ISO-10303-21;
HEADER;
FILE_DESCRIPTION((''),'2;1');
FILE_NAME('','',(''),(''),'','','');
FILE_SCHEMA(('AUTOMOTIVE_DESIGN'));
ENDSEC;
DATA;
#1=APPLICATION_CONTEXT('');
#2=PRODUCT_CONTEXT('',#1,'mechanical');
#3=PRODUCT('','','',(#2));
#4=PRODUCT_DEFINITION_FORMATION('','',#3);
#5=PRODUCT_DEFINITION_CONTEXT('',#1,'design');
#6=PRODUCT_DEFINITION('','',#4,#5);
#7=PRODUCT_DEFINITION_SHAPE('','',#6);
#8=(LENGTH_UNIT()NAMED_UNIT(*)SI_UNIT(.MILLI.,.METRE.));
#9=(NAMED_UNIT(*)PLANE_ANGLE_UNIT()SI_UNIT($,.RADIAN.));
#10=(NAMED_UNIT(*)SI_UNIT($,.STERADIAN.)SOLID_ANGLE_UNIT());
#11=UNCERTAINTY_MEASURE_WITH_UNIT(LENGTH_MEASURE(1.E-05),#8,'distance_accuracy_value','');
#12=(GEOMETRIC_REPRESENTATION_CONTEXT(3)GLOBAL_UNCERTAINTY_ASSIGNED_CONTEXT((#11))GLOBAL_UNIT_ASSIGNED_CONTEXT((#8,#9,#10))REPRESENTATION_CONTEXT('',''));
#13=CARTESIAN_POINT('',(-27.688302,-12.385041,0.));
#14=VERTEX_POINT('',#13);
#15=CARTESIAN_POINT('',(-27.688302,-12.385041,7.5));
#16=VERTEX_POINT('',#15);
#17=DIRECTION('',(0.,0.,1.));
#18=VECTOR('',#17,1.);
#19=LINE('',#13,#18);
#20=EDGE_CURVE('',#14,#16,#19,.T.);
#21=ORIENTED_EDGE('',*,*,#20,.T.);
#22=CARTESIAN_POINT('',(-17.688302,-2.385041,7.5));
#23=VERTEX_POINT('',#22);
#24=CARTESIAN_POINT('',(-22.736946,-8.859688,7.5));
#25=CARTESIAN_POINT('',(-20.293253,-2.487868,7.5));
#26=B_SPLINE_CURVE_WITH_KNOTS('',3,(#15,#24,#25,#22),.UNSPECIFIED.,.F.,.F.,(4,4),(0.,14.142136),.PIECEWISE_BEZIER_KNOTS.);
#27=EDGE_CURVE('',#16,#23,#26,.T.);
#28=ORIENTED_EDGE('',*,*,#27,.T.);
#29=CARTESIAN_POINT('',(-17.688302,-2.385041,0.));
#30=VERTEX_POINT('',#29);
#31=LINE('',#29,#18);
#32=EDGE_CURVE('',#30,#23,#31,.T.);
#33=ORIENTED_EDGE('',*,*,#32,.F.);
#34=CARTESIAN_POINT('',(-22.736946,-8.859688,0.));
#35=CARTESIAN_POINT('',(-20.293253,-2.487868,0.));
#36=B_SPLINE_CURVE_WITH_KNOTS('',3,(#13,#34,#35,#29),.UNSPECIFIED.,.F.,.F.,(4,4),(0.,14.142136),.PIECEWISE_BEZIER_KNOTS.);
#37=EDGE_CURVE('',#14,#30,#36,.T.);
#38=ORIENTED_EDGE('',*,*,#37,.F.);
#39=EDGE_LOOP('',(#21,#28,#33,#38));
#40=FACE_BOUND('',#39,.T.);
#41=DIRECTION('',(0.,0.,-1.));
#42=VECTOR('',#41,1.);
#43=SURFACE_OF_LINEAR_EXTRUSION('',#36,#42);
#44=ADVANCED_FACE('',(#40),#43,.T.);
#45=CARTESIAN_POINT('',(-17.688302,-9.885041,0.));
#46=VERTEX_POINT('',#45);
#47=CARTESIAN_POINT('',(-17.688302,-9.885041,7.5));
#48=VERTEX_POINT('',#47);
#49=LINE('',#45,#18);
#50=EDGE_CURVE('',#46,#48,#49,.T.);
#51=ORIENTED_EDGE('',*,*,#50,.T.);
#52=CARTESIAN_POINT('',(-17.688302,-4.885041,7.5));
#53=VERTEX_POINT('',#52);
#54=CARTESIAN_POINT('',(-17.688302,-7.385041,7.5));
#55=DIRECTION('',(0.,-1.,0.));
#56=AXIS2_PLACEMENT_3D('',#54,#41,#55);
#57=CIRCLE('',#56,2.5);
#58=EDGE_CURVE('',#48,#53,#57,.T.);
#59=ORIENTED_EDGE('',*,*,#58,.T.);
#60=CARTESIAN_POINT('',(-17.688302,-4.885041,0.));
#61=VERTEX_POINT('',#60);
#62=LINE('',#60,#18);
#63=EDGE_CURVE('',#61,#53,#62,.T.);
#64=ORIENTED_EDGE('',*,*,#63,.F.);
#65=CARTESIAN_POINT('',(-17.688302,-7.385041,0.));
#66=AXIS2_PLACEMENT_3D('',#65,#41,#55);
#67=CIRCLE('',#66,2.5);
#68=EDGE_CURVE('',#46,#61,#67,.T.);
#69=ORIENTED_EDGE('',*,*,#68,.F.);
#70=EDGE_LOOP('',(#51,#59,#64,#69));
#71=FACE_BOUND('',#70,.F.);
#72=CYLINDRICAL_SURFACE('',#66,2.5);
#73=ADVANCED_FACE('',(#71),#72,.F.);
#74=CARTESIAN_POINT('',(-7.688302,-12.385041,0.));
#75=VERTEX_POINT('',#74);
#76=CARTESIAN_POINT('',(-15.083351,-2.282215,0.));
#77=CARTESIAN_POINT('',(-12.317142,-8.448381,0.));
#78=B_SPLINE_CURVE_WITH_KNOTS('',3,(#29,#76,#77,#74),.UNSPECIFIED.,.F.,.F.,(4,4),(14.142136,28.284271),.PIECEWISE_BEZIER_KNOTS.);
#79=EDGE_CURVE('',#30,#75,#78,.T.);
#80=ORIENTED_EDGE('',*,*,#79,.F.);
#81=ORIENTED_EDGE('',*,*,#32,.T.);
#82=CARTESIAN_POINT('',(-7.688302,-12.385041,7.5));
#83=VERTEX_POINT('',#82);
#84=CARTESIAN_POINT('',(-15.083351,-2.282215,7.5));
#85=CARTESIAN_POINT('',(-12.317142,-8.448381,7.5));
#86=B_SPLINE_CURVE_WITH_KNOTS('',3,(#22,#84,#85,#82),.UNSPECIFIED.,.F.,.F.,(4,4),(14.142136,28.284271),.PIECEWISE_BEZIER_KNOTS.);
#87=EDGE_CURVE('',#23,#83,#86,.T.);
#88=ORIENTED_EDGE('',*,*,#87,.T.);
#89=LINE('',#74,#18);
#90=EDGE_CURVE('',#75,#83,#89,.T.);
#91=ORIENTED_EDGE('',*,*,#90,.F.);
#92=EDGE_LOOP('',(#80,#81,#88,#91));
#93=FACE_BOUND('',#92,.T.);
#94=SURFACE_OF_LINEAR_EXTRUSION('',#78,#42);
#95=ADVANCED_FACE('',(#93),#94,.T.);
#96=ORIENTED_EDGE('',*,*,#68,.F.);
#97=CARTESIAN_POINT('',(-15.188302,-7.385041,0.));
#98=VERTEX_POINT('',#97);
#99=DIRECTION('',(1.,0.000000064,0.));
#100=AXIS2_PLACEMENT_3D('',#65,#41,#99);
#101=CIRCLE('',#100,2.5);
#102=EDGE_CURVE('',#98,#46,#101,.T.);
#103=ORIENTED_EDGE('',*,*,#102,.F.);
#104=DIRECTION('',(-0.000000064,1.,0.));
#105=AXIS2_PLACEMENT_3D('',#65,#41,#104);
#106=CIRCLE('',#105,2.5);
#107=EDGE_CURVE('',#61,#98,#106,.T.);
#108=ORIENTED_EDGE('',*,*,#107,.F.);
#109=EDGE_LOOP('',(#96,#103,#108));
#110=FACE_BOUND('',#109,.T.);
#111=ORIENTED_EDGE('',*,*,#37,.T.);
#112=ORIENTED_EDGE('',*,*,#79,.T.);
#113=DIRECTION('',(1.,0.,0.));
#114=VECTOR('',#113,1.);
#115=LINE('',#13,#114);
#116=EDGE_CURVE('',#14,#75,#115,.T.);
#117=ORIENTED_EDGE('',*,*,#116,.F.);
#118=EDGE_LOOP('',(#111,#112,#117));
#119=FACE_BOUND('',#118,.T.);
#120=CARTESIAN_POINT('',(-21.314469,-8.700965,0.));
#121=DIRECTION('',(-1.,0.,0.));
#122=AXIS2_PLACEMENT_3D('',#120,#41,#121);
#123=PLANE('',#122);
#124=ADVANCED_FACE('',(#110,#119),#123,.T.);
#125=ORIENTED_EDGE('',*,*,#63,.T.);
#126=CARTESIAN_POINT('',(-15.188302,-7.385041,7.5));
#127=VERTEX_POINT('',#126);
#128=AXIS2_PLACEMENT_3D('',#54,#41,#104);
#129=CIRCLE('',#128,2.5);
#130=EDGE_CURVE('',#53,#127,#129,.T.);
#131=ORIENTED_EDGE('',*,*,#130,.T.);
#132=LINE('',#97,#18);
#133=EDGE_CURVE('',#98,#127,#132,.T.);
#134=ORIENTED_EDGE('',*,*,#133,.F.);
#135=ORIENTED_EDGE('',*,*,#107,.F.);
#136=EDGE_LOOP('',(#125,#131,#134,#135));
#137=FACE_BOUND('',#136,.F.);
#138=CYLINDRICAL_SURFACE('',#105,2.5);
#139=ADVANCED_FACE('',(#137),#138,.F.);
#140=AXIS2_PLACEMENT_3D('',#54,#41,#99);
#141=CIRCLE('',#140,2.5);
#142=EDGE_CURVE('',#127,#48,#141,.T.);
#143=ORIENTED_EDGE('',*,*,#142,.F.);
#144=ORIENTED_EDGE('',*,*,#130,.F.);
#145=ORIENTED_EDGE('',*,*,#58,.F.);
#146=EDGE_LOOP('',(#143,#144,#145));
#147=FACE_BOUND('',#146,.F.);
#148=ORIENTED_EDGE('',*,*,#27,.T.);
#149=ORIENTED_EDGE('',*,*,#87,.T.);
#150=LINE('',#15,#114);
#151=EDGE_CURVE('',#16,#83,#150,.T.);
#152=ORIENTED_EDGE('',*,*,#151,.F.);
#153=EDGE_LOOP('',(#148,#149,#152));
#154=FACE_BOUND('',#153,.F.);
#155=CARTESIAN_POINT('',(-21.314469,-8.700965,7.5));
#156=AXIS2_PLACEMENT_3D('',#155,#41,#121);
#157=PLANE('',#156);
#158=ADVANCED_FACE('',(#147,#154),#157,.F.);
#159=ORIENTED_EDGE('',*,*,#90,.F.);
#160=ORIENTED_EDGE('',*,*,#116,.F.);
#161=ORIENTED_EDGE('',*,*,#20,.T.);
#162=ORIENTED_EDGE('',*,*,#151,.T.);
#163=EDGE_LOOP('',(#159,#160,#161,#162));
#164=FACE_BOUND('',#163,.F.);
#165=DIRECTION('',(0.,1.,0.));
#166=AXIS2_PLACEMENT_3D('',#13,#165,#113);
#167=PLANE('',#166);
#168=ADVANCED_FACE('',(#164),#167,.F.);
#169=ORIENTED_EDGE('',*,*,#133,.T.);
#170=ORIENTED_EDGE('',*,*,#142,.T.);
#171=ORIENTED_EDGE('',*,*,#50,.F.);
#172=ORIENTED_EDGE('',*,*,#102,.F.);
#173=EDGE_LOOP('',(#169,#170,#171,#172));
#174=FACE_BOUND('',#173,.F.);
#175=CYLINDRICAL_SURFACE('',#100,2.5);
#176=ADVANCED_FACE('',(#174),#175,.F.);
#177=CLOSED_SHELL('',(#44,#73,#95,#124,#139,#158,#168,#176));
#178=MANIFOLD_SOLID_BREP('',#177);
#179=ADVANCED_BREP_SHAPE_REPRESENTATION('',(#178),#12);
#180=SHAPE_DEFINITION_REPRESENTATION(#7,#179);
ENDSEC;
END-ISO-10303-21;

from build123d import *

# Parameters (mm, degrees)
F1_DEPTH = 7.5


with BuildPart() as f1:
    # F0 (on Top) → F1 (new body)
    with BuildSketch(Plane.XY):
        with BuildLine():
            add(Edge.make_bspline(
                [(-27.688302, -12.385041), (-22.736946, -8.859688), (-20.293253, -2.487868), (-17.688302, -2.385041)],
                knots=[0, 0, 0, 0, 14.142136, 14.142136, 14.142136, 14.142136], degree=3))
            Line((-27.688302, -12.385041), (-17.688302, -12.385041))
            Line((-17.688302, -12.385041), (-17.688302, -9.885041))
            ThreePointArc((-17.688302, -9.885041), (-20.188302, -7.385041), (-17.688302, -4.885041))
            Line((-17.688302, -4.885041), (-17.688302, -2.385041))
        make_face()
        with BuildLine():
            Line((-17.688302, -9.885041), (-17.688302, -12.385041))
            Line((-17.688302, -12.385041), (-7.688302, -12.385041))
            add(Edge.make_bspline(
                [(-17.688302, -2.385041), (-15.083351, -2.282215), (-12.317142, -8.448381), (-7.688302, -12.385041)],
                knots=[14.142136, 14.142136, 14.142136, 14.142136, 28.284271, 28.284271, 28.284271, 28.284271], degree=3))
            Line((-17.688302, -2.385041), (-17.688302, -4.885041))
            ThreePointArc((-17.688302, -4.885041), (-15.920535, -5.617274), (-15.188302, -7.385041))
            ThreePointArc((-15.188302, -7.385041), (-15.920535, -9.152808), (-17.688302, -9.885041))
        make_face()
    extrude(amount=F1_DEPTH)


solid = f1.part
